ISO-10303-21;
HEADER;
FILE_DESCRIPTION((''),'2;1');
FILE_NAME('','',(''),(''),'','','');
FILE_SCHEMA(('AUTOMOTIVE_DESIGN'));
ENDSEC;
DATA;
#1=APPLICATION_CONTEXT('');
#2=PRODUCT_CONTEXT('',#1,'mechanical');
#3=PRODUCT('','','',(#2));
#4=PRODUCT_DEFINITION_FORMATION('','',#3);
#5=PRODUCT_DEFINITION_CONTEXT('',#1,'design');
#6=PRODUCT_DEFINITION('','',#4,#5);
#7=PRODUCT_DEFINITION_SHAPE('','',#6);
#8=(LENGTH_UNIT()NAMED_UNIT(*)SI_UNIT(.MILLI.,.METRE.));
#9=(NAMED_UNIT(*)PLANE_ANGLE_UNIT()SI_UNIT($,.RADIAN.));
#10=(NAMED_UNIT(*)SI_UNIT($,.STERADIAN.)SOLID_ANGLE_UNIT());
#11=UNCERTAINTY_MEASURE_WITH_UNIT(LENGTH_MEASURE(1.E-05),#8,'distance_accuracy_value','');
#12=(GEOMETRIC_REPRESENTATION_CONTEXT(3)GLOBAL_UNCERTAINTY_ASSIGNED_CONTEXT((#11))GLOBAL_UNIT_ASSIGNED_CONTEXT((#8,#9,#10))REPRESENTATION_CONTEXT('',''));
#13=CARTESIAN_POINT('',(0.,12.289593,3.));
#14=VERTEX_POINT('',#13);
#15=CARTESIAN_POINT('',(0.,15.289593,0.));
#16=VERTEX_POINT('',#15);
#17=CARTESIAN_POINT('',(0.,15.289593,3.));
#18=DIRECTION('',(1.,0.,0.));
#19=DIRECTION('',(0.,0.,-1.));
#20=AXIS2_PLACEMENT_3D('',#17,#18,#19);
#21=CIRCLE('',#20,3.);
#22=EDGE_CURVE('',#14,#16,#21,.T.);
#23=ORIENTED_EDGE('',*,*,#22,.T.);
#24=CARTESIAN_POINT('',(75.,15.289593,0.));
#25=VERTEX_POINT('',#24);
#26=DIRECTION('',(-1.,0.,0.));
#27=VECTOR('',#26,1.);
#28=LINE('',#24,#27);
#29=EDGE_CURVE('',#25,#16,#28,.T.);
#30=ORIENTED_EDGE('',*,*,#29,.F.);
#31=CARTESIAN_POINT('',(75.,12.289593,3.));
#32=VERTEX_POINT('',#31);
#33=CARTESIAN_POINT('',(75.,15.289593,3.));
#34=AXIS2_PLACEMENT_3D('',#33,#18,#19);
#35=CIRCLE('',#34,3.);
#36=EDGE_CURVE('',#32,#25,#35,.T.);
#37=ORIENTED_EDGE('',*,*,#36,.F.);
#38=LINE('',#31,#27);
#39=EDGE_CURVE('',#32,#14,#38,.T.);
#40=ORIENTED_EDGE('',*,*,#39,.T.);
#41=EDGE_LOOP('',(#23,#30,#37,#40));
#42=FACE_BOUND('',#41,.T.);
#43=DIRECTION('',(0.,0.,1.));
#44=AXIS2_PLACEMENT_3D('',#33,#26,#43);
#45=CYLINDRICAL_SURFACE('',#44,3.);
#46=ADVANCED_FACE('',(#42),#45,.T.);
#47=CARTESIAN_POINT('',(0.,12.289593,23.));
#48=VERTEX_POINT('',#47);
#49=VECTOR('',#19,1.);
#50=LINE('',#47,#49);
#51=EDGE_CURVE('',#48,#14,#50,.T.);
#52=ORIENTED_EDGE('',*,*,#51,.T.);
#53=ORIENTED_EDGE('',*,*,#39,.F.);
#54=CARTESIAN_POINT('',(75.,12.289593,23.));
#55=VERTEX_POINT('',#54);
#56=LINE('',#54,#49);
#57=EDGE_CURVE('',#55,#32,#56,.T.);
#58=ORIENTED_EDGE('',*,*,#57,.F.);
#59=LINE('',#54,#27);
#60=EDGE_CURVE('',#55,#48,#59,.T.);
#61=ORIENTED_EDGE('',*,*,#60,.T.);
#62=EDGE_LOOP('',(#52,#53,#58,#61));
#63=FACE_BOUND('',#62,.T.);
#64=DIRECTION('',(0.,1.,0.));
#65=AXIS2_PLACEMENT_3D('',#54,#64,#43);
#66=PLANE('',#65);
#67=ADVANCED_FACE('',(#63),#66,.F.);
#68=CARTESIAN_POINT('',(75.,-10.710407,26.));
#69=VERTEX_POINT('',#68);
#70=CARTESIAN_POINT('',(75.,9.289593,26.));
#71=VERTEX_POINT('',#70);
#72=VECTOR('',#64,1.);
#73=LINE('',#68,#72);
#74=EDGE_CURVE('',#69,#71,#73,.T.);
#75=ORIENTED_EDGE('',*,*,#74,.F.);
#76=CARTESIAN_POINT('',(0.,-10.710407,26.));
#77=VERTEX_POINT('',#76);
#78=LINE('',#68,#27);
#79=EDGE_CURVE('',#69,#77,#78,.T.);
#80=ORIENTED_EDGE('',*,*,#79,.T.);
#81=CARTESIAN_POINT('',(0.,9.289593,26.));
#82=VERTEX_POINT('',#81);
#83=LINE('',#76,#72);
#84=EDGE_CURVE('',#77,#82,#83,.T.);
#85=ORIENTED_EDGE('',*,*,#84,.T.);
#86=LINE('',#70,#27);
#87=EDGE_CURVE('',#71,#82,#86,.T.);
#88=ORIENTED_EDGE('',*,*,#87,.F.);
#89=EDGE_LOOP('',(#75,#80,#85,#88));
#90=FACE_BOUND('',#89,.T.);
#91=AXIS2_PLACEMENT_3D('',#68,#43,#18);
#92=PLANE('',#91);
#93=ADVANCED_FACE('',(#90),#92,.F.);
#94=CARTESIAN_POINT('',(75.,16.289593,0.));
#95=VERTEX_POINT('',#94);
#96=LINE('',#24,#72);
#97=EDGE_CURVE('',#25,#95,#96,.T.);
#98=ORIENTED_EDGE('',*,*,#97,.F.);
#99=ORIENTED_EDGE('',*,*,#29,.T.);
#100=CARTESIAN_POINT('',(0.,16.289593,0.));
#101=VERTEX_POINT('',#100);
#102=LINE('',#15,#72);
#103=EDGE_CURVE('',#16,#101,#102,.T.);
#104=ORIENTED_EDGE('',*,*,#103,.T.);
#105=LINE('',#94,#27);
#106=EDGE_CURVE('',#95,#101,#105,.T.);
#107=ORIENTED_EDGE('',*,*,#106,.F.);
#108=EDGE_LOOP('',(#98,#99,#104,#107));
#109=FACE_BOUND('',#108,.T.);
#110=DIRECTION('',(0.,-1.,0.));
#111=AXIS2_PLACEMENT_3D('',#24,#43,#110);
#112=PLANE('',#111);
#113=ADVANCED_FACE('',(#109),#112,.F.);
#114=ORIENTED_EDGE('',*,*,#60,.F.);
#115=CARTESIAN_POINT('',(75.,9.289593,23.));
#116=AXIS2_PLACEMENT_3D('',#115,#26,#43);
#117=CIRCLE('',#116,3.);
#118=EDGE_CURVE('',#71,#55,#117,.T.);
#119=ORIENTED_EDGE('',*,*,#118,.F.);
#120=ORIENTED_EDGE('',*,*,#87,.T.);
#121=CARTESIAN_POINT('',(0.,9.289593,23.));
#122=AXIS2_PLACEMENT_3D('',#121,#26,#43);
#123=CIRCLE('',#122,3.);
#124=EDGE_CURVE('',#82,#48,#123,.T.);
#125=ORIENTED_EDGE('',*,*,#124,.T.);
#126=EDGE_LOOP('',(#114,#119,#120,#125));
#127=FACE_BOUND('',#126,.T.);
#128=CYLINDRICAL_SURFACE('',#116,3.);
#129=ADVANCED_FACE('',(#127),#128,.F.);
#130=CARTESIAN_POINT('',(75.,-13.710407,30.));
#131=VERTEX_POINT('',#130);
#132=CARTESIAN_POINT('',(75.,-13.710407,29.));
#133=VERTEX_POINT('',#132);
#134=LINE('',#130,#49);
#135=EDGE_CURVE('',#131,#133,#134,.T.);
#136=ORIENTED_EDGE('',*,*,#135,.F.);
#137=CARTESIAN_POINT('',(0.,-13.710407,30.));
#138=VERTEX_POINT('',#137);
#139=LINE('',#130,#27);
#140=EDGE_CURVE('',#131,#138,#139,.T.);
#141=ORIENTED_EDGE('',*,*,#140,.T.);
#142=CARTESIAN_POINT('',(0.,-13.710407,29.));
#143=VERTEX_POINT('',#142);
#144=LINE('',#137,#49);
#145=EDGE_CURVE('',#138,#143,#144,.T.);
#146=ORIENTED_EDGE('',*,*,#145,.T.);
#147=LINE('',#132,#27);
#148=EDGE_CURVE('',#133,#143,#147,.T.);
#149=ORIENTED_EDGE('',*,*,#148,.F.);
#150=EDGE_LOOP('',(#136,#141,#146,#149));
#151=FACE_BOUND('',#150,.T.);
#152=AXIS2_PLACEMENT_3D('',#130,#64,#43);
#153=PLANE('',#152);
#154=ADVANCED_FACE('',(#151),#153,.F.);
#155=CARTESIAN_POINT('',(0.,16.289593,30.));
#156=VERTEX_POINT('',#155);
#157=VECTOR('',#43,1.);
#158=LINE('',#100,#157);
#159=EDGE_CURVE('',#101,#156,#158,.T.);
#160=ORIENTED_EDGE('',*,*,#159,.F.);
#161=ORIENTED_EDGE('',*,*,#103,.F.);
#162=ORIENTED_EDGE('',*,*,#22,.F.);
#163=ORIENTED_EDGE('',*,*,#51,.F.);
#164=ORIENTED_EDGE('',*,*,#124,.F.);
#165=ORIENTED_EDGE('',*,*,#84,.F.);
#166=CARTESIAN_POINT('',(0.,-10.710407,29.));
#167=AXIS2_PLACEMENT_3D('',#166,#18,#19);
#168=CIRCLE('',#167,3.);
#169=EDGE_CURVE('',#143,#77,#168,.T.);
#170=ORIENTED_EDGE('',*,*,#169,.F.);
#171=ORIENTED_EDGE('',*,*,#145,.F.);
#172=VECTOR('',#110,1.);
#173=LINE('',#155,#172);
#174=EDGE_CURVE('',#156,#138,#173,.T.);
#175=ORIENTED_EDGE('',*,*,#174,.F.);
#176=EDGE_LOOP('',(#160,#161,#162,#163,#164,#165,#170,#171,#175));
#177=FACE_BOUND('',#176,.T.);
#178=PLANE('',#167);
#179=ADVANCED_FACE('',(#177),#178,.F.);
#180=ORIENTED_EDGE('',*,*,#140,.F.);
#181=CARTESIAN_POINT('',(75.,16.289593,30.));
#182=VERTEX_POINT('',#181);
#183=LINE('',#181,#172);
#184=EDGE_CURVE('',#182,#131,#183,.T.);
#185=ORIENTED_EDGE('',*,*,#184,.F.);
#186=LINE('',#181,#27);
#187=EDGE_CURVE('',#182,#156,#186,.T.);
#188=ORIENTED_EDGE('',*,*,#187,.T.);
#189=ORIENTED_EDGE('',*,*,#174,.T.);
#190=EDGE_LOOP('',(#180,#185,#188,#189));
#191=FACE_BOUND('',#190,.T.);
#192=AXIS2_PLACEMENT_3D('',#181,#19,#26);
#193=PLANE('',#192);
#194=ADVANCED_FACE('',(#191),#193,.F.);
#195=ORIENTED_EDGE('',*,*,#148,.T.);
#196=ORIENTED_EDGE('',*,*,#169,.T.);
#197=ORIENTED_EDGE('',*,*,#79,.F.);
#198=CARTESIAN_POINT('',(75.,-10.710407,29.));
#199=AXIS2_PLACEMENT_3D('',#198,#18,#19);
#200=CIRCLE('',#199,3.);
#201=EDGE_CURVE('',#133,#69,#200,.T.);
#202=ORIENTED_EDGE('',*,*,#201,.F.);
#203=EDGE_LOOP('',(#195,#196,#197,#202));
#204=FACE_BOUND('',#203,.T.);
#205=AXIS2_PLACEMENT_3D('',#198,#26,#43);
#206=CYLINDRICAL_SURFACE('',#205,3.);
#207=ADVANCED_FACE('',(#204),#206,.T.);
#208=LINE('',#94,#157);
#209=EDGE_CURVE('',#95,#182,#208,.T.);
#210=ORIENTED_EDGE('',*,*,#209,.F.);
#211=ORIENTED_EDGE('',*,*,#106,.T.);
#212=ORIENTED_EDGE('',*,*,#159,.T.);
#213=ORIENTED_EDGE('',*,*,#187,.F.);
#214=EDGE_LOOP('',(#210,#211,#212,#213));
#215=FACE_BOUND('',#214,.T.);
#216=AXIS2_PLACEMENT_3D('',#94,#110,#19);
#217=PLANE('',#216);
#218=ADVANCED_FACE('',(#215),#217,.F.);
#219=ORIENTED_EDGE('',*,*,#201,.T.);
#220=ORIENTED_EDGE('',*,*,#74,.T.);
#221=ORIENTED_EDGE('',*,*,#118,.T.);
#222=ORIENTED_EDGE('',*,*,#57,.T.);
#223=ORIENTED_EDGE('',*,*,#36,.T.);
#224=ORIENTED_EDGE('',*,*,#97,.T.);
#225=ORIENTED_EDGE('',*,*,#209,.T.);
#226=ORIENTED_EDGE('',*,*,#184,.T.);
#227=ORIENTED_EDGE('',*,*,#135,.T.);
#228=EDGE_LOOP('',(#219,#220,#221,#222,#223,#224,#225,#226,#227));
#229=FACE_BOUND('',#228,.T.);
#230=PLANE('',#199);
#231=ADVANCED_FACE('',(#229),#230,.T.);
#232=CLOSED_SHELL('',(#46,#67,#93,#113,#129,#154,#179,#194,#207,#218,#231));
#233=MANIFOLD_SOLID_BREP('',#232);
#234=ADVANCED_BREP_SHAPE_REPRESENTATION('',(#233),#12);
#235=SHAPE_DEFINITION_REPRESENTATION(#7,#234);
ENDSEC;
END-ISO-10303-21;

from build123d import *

# Parameters (mm, degrees)
BOSS_EXTRUDE1_DEPTH = 75


with BuildPart() as part:
    # Sketch1 → Boss-Extrude1 (new body)
    with BuildSketch(Plane(origin=(0, 0, 0), x_dir=(0, 0, -1), z_dir=(1, 0, 0))):
        with BuildLine():
            Line((0, 16.28959276), (-30, 16.28959276))
            Line((-30, 16.28959276), (-30, -13.71040724))
            Line((-30, -13.71040724), (-29, -13.71040724))
            ThreePointArc((-29, -13.71040724), (-26.878679656, -12.831727583), (-26, -10.71040724))
            Line((-26, -10.71040724), (-26, 9.28959276))
            ThreePointArc((-26, 9.28959276), (-25.121320344, 11.410913104), (-23, 12.28959276))
            Line((-23, 12.28959276), (-3, 12.28959276))
            ThreePointArc((-3, 12.28959276), (-0.878679656, 13.168272417), (0, 15.28959276))
            Line((0, 15.28959276), (0, 16.28959276))
        make_face()
    extrude(amount=BOSS_EXTRUDE1_DEPTH)


solid = part.part
